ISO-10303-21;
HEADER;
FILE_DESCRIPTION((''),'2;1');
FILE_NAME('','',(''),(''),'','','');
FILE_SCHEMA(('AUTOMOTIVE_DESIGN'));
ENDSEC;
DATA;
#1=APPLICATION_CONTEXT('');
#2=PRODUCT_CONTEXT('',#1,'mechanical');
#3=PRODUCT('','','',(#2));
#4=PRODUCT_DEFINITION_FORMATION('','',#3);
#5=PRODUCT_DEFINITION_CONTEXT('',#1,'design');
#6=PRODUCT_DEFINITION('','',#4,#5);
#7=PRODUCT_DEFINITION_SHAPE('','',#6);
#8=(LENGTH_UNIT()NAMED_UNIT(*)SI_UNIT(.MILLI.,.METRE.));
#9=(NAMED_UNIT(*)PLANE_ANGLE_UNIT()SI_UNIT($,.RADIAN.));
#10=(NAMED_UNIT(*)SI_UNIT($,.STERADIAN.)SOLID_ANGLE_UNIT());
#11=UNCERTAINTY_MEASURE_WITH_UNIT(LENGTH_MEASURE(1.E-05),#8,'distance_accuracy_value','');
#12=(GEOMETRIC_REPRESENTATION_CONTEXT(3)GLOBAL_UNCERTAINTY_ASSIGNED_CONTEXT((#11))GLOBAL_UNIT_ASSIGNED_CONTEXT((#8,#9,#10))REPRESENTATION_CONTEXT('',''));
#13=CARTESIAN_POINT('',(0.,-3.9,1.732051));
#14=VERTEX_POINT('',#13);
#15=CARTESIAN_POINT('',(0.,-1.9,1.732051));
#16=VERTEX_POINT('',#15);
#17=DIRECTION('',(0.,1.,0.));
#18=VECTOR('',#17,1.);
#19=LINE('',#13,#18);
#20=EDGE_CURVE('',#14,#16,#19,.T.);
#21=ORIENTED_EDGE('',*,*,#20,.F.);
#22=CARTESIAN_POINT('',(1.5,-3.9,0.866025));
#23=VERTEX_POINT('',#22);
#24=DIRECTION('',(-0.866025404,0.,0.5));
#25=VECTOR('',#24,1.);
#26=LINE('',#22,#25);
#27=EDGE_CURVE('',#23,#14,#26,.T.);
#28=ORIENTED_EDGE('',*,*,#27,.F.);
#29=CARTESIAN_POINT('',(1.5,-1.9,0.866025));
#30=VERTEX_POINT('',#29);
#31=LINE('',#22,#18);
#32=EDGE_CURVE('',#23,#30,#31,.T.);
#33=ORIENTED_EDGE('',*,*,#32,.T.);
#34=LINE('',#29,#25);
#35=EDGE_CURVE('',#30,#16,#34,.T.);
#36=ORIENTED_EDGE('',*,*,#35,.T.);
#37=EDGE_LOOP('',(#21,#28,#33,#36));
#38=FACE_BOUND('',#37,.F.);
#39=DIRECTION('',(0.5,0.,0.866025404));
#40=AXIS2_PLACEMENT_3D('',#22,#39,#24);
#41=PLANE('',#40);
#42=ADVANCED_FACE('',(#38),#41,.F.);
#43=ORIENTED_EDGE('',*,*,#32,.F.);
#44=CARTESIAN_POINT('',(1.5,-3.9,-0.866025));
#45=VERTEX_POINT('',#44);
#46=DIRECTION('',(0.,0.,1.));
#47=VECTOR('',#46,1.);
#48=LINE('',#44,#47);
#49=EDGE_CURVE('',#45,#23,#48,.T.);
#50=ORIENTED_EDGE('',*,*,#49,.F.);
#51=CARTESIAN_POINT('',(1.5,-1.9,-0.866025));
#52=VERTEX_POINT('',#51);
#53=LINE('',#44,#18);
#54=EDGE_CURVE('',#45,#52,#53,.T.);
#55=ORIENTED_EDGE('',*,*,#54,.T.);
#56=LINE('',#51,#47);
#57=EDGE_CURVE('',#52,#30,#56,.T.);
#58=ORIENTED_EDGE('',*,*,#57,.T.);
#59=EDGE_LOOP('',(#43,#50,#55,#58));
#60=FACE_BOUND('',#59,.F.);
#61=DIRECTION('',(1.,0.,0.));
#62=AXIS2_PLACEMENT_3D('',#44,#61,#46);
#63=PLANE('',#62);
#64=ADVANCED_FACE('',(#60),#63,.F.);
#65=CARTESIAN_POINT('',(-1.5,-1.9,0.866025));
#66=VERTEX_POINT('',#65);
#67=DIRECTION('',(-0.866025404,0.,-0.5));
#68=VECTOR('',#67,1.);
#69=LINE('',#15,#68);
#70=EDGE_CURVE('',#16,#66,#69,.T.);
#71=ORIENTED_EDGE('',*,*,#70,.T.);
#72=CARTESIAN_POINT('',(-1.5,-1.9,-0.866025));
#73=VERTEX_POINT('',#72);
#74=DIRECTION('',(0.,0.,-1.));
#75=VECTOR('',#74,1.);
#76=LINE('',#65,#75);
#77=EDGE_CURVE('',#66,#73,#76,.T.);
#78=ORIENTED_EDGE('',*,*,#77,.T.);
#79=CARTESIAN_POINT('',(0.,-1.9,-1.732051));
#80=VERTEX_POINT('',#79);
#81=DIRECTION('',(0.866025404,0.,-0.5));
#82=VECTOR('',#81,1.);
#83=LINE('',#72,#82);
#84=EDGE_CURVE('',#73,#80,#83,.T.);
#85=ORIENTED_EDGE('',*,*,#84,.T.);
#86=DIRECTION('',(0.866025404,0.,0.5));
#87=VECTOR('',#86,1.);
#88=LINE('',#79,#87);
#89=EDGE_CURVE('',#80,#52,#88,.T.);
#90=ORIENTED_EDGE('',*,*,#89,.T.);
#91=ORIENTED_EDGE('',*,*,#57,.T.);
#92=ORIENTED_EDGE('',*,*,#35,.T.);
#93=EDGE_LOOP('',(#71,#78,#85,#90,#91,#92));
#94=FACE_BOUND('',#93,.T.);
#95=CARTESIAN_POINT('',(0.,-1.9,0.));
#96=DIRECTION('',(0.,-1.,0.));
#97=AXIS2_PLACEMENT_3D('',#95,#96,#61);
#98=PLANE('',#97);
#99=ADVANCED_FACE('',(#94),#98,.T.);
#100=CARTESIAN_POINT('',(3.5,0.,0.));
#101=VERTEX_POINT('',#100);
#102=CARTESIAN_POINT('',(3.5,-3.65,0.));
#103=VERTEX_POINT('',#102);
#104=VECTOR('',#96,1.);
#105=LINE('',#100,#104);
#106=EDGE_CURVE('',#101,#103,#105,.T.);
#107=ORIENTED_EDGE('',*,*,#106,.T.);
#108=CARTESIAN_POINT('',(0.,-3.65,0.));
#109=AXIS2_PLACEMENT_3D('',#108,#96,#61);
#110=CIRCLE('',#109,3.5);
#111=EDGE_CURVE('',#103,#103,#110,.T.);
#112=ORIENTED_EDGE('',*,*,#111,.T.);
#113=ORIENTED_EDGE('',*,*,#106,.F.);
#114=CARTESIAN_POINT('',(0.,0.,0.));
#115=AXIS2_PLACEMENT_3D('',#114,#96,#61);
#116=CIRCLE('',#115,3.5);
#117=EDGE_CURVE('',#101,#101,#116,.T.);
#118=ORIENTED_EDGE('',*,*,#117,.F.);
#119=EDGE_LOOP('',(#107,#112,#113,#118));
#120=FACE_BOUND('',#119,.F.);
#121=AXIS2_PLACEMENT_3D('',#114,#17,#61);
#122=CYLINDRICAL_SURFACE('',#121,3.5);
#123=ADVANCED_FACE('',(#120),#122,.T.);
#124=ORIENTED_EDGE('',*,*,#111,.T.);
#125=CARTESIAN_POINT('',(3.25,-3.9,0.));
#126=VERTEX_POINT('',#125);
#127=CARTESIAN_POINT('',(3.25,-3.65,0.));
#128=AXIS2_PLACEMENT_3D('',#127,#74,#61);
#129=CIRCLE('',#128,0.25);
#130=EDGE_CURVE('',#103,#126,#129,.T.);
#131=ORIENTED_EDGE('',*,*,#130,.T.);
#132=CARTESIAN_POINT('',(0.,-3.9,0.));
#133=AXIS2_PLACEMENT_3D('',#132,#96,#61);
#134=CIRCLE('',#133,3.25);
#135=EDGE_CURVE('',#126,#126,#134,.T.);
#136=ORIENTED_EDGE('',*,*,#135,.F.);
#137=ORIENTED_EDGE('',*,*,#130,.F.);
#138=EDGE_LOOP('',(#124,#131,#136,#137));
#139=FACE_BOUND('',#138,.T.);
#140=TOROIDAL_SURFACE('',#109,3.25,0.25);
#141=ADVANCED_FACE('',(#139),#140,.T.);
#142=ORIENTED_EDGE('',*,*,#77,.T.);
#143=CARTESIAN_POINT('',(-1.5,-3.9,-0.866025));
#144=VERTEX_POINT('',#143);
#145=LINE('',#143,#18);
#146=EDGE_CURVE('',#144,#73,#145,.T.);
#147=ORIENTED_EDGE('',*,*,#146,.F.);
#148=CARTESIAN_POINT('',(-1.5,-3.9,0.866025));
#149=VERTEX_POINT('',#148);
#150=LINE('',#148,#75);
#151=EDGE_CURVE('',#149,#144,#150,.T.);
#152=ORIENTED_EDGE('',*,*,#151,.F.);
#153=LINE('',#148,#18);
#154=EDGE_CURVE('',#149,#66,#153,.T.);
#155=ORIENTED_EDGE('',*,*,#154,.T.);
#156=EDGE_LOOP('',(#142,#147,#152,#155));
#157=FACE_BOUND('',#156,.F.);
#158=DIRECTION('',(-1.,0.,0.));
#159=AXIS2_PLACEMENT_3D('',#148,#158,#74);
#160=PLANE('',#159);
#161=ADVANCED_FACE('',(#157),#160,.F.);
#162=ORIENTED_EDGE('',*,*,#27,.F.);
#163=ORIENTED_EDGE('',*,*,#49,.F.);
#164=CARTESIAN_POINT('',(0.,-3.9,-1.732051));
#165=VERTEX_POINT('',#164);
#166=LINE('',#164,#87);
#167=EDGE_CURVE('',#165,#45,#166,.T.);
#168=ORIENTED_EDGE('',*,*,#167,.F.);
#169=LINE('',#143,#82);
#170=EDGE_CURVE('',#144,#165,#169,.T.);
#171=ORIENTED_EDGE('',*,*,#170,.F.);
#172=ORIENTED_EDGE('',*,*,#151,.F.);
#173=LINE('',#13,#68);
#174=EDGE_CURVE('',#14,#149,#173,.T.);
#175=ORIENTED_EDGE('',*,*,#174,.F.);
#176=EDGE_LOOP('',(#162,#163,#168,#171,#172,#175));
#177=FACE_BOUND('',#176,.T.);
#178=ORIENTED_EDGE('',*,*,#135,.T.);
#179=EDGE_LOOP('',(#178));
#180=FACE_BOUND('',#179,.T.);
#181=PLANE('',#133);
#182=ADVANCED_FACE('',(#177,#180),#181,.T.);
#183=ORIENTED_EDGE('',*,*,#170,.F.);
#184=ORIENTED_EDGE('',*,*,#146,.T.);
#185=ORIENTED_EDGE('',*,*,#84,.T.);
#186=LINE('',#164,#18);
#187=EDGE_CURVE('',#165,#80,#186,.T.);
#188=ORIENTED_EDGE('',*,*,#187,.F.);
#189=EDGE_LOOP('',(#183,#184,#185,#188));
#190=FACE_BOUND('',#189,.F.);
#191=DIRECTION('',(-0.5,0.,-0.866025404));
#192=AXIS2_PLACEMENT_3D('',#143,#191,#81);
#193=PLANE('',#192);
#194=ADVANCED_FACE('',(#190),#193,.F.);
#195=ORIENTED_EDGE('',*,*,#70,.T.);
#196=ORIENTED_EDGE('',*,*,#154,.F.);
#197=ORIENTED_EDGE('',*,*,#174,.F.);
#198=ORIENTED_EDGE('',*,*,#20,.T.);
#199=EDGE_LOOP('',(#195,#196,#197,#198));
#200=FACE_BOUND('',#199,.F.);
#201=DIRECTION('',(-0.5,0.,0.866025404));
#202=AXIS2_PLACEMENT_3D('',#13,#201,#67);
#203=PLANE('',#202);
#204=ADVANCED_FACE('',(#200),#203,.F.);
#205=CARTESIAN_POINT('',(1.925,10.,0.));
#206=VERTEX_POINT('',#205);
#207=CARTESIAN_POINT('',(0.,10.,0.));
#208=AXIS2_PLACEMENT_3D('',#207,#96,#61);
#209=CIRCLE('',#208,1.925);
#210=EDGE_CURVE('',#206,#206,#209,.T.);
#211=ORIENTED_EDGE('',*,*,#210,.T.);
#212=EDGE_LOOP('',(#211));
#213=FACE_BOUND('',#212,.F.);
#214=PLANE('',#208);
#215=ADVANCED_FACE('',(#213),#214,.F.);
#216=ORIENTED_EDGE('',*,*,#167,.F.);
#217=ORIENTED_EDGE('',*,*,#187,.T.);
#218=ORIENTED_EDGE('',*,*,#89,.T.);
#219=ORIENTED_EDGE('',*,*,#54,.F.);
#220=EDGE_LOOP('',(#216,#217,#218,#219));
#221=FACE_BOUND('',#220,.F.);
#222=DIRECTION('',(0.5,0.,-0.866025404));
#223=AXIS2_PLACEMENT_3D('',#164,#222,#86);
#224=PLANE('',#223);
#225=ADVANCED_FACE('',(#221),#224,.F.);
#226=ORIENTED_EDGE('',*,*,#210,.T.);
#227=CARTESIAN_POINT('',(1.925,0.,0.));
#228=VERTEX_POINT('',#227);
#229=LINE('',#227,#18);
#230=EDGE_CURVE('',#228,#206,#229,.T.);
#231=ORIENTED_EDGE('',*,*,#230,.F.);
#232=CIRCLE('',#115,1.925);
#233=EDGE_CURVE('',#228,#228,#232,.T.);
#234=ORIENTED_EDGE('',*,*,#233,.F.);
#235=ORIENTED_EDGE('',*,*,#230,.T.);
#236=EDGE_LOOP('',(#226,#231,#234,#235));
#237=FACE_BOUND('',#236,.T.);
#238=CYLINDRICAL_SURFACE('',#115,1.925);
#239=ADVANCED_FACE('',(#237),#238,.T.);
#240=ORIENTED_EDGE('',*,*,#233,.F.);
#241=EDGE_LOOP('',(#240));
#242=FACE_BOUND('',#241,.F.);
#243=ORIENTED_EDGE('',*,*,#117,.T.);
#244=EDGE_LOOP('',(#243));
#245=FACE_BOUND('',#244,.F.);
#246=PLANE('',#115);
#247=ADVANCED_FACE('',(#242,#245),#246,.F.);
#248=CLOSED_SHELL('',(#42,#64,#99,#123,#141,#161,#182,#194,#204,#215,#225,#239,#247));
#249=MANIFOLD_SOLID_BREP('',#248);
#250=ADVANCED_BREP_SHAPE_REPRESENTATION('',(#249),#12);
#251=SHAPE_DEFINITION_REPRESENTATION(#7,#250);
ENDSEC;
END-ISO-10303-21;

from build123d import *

# Parameters (mm, degrees)
F0_R     = 3.5
F0_R_2   = 1.925
F1_DEPTH = 3.9
F2_DEPTH = 10
F4_DEPTH = 2
F5_R     = 0.25


with BuildPart() as f1:
    # F0 (on Front) → F1 (new body)
    with BuildSketch(Plane.XZ):
        Circle(F0_R)
        Circle(F0_R_2, mode=Mode.SUBTRACT)
        Circle(F0_R_2)
    extrude(amount=F1_DEPTH)

    # F0 (on Front) → F2 (join)
    with BuildSketch(Plane.XZ):
        Circle(F0_R_2)
    extrude(amount=-F2_DEPTH)

    # F3 (on face) → F4 (cut)
    with BuildSketch(Plane.XZ.offset(3.9)):
        Polygon((1.5, -0.8660254038), (1.5, 0.8660254038), (0, 1.7320508076), (-1.5, 0.8660254038), (-1.5, -0.8660254038), (0, -1.7320508076), align=None)
    extrude(amount=-F4_DEPTH, mode=Mode.SUBTRACT)

    # F5
    f5_edges = [f1.edges().sort_by_distance(p)[0] for p in [
        (-3.5, -3.9, 0),
    ]]
    fillet(f5_edges, radius=F5_R)


solid = f1.part
